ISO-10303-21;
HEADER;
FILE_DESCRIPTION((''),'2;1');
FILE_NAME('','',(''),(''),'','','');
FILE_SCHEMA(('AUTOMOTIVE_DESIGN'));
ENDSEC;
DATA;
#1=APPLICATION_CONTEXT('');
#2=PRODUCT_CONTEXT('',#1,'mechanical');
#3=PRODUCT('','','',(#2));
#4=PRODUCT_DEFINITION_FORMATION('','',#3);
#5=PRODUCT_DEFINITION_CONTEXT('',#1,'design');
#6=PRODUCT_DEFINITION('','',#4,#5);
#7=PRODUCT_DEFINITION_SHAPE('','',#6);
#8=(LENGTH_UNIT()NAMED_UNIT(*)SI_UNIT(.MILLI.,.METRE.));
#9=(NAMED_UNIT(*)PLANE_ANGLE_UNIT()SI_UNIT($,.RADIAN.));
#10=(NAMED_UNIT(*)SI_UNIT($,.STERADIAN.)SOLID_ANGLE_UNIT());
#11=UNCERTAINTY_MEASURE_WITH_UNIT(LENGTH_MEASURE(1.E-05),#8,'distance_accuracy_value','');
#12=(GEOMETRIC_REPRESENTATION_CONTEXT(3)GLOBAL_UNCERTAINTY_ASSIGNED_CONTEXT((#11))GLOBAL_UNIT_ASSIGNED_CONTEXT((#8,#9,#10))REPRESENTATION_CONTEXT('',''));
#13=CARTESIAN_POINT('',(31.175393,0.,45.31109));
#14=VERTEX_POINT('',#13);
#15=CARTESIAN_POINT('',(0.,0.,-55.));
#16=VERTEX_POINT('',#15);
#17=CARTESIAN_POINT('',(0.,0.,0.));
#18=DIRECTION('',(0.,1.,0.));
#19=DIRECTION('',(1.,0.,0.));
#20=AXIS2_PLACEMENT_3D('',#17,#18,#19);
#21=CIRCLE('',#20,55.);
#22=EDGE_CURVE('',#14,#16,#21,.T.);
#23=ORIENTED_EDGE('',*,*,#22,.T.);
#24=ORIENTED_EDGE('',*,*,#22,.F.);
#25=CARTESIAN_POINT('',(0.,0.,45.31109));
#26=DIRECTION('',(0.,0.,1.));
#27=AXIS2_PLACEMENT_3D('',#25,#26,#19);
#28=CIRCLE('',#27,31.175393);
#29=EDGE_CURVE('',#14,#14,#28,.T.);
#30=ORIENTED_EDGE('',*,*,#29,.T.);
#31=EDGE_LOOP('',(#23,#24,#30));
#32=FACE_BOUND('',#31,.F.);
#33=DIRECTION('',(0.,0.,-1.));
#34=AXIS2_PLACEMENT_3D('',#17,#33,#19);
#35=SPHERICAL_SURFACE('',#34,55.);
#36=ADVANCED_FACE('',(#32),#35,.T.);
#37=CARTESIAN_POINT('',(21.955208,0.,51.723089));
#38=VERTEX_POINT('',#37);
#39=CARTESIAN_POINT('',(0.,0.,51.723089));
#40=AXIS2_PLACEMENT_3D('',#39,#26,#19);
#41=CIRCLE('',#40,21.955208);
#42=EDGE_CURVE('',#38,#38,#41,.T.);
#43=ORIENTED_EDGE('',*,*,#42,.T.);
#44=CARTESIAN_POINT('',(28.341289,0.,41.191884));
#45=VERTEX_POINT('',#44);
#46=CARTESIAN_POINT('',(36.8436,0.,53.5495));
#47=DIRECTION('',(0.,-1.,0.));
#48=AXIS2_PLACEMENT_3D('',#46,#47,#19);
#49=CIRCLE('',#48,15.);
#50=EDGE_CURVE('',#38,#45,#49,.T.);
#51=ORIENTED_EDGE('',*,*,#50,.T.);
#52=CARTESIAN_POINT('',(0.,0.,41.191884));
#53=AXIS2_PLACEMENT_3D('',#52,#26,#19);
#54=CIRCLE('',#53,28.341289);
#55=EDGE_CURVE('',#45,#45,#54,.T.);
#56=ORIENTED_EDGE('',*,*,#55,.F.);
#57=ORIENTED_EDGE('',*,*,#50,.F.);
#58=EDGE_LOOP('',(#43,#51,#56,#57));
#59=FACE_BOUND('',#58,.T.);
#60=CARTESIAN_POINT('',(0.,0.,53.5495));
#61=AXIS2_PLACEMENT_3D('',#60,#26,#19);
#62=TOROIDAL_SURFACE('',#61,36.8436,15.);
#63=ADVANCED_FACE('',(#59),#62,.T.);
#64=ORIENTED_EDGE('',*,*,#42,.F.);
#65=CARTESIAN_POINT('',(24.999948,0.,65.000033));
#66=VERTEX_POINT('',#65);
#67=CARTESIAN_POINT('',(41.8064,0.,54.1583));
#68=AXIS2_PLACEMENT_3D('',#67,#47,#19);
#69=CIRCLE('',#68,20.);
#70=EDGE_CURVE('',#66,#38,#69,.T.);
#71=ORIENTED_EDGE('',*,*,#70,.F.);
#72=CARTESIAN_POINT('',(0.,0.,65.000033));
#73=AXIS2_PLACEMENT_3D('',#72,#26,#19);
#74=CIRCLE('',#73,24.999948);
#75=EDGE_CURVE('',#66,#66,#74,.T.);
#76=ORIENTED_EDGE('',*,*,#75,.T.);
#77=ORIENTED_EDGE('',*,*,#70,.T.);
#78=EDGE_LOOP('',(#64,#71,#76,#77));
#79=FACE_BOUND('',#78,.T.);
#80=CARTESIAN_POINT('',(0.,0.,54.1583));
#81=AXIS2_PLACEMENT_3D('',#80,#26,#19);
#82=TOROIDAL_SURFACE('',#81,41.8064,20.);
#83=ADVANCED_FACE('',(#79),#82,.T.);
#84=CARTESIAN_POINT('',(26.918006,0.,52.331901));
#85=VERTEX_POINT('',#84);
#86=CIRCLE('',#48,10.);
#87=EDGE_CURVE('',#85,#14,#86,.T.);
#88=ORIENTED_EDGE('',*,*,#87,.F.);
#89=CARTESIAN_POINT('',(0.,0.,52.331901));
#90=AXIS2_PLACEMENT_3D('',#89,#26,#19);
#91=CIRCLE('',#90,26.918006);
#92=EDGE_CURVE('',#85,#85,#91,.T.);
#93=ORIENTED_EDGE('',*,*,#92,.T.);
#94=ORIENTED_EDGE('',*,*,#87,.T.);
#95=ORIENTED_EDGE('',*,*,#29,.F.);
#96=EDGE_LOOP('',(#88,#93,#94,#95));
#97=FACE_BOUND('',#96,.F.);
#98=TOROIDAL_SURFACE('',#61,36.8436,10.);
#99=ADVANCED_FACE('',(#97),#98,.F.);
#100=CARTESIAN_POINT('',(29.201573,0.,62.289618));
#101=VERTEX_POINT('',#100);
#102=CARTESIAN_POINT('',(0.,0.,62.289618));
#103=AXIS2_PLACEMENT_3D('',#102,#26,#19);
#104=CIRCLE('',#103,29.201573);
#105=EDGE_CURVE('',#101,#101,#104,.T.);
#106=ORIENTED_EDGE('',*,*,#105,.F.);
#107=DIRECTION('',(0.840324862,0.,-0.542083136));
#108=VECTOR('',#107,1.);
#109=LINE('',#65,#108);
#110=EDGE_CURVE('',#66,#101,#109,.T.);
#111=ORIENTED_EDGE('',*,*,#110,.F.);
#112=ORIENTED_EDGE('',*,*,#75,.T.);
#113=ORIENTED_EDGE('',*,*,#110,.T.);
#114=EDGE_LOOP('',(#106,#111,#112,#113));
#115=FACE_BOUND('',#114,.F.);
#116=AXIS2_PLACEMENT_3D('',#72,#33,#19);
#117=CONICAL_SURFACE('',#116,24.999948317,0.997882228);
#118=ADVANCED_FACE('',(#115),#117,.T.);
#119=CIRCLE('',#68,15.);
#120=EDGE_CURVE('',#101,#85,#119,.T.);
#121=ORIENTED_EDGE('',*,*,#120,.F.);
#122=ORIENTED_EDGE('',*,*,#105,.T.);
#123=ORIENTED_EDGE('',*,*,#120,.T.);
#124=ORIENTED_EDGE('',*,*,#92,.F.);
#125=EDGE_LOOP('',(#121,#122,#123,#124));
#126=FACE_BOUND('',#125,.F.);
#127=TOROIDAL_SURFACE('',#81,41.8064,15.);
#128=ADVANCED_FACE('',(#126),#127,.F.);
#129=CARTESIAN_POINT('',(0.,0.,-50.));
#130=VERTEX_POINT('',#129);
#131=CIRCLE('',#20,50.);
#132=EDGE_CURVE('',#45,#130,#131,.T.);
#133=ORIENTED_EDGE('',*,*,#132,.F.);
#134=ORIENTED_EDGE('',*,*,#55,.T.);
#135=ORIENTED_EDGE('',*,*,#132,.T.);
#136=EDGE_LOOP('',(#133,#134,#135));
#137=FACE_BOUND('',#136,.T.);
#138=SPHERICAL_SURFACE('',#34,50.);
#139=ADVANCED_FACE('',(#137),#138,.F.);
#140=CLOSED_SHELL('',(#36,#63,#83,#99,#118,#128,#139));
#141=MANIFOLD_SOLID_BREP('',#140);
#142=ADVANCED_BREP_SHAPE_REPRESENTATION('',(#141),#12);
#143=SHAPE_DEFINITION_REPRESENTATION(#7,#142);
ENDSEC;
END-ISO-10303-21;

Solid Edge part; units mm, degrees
sketch "Sketch1" plane through (0, 0, 0) normal (0, -1, 0) x (1, 0, 0)
  arc A0 (31.1754, 45.3111) -> (0, -55) centre (0, 0) cw
  line L0 (0, -55) -> (0, -50)
  arc A1 (28.3413, 41.1919) -> (0, -50) centre (0, 0) cw
  arc A2 (21.9553, 51.7231) -> (28.3413, 41.1919) centre (36.8436, 53.5495) ccw
  arc A3 (25, 65) -> (21.9553, 51.7231) centre (41.8064, 54.1583) ccw
  line L1 (25, 65) -> (29.2016, 62.2896)
  arc A4 (29.2016, 62.2896) -> (26.918, 52.3319) centre (41.8064, 54.1583) ccw
  arc A5 (26.918, 52.3319) -> (31.1754, 45.3111) centre (36.8436, 53.5495) ccw
revolve "RevolvedProtrusion1" add sketch "Sketch1" angle 360 about axis through (0, 0, 0) along (0, 0, 1)
